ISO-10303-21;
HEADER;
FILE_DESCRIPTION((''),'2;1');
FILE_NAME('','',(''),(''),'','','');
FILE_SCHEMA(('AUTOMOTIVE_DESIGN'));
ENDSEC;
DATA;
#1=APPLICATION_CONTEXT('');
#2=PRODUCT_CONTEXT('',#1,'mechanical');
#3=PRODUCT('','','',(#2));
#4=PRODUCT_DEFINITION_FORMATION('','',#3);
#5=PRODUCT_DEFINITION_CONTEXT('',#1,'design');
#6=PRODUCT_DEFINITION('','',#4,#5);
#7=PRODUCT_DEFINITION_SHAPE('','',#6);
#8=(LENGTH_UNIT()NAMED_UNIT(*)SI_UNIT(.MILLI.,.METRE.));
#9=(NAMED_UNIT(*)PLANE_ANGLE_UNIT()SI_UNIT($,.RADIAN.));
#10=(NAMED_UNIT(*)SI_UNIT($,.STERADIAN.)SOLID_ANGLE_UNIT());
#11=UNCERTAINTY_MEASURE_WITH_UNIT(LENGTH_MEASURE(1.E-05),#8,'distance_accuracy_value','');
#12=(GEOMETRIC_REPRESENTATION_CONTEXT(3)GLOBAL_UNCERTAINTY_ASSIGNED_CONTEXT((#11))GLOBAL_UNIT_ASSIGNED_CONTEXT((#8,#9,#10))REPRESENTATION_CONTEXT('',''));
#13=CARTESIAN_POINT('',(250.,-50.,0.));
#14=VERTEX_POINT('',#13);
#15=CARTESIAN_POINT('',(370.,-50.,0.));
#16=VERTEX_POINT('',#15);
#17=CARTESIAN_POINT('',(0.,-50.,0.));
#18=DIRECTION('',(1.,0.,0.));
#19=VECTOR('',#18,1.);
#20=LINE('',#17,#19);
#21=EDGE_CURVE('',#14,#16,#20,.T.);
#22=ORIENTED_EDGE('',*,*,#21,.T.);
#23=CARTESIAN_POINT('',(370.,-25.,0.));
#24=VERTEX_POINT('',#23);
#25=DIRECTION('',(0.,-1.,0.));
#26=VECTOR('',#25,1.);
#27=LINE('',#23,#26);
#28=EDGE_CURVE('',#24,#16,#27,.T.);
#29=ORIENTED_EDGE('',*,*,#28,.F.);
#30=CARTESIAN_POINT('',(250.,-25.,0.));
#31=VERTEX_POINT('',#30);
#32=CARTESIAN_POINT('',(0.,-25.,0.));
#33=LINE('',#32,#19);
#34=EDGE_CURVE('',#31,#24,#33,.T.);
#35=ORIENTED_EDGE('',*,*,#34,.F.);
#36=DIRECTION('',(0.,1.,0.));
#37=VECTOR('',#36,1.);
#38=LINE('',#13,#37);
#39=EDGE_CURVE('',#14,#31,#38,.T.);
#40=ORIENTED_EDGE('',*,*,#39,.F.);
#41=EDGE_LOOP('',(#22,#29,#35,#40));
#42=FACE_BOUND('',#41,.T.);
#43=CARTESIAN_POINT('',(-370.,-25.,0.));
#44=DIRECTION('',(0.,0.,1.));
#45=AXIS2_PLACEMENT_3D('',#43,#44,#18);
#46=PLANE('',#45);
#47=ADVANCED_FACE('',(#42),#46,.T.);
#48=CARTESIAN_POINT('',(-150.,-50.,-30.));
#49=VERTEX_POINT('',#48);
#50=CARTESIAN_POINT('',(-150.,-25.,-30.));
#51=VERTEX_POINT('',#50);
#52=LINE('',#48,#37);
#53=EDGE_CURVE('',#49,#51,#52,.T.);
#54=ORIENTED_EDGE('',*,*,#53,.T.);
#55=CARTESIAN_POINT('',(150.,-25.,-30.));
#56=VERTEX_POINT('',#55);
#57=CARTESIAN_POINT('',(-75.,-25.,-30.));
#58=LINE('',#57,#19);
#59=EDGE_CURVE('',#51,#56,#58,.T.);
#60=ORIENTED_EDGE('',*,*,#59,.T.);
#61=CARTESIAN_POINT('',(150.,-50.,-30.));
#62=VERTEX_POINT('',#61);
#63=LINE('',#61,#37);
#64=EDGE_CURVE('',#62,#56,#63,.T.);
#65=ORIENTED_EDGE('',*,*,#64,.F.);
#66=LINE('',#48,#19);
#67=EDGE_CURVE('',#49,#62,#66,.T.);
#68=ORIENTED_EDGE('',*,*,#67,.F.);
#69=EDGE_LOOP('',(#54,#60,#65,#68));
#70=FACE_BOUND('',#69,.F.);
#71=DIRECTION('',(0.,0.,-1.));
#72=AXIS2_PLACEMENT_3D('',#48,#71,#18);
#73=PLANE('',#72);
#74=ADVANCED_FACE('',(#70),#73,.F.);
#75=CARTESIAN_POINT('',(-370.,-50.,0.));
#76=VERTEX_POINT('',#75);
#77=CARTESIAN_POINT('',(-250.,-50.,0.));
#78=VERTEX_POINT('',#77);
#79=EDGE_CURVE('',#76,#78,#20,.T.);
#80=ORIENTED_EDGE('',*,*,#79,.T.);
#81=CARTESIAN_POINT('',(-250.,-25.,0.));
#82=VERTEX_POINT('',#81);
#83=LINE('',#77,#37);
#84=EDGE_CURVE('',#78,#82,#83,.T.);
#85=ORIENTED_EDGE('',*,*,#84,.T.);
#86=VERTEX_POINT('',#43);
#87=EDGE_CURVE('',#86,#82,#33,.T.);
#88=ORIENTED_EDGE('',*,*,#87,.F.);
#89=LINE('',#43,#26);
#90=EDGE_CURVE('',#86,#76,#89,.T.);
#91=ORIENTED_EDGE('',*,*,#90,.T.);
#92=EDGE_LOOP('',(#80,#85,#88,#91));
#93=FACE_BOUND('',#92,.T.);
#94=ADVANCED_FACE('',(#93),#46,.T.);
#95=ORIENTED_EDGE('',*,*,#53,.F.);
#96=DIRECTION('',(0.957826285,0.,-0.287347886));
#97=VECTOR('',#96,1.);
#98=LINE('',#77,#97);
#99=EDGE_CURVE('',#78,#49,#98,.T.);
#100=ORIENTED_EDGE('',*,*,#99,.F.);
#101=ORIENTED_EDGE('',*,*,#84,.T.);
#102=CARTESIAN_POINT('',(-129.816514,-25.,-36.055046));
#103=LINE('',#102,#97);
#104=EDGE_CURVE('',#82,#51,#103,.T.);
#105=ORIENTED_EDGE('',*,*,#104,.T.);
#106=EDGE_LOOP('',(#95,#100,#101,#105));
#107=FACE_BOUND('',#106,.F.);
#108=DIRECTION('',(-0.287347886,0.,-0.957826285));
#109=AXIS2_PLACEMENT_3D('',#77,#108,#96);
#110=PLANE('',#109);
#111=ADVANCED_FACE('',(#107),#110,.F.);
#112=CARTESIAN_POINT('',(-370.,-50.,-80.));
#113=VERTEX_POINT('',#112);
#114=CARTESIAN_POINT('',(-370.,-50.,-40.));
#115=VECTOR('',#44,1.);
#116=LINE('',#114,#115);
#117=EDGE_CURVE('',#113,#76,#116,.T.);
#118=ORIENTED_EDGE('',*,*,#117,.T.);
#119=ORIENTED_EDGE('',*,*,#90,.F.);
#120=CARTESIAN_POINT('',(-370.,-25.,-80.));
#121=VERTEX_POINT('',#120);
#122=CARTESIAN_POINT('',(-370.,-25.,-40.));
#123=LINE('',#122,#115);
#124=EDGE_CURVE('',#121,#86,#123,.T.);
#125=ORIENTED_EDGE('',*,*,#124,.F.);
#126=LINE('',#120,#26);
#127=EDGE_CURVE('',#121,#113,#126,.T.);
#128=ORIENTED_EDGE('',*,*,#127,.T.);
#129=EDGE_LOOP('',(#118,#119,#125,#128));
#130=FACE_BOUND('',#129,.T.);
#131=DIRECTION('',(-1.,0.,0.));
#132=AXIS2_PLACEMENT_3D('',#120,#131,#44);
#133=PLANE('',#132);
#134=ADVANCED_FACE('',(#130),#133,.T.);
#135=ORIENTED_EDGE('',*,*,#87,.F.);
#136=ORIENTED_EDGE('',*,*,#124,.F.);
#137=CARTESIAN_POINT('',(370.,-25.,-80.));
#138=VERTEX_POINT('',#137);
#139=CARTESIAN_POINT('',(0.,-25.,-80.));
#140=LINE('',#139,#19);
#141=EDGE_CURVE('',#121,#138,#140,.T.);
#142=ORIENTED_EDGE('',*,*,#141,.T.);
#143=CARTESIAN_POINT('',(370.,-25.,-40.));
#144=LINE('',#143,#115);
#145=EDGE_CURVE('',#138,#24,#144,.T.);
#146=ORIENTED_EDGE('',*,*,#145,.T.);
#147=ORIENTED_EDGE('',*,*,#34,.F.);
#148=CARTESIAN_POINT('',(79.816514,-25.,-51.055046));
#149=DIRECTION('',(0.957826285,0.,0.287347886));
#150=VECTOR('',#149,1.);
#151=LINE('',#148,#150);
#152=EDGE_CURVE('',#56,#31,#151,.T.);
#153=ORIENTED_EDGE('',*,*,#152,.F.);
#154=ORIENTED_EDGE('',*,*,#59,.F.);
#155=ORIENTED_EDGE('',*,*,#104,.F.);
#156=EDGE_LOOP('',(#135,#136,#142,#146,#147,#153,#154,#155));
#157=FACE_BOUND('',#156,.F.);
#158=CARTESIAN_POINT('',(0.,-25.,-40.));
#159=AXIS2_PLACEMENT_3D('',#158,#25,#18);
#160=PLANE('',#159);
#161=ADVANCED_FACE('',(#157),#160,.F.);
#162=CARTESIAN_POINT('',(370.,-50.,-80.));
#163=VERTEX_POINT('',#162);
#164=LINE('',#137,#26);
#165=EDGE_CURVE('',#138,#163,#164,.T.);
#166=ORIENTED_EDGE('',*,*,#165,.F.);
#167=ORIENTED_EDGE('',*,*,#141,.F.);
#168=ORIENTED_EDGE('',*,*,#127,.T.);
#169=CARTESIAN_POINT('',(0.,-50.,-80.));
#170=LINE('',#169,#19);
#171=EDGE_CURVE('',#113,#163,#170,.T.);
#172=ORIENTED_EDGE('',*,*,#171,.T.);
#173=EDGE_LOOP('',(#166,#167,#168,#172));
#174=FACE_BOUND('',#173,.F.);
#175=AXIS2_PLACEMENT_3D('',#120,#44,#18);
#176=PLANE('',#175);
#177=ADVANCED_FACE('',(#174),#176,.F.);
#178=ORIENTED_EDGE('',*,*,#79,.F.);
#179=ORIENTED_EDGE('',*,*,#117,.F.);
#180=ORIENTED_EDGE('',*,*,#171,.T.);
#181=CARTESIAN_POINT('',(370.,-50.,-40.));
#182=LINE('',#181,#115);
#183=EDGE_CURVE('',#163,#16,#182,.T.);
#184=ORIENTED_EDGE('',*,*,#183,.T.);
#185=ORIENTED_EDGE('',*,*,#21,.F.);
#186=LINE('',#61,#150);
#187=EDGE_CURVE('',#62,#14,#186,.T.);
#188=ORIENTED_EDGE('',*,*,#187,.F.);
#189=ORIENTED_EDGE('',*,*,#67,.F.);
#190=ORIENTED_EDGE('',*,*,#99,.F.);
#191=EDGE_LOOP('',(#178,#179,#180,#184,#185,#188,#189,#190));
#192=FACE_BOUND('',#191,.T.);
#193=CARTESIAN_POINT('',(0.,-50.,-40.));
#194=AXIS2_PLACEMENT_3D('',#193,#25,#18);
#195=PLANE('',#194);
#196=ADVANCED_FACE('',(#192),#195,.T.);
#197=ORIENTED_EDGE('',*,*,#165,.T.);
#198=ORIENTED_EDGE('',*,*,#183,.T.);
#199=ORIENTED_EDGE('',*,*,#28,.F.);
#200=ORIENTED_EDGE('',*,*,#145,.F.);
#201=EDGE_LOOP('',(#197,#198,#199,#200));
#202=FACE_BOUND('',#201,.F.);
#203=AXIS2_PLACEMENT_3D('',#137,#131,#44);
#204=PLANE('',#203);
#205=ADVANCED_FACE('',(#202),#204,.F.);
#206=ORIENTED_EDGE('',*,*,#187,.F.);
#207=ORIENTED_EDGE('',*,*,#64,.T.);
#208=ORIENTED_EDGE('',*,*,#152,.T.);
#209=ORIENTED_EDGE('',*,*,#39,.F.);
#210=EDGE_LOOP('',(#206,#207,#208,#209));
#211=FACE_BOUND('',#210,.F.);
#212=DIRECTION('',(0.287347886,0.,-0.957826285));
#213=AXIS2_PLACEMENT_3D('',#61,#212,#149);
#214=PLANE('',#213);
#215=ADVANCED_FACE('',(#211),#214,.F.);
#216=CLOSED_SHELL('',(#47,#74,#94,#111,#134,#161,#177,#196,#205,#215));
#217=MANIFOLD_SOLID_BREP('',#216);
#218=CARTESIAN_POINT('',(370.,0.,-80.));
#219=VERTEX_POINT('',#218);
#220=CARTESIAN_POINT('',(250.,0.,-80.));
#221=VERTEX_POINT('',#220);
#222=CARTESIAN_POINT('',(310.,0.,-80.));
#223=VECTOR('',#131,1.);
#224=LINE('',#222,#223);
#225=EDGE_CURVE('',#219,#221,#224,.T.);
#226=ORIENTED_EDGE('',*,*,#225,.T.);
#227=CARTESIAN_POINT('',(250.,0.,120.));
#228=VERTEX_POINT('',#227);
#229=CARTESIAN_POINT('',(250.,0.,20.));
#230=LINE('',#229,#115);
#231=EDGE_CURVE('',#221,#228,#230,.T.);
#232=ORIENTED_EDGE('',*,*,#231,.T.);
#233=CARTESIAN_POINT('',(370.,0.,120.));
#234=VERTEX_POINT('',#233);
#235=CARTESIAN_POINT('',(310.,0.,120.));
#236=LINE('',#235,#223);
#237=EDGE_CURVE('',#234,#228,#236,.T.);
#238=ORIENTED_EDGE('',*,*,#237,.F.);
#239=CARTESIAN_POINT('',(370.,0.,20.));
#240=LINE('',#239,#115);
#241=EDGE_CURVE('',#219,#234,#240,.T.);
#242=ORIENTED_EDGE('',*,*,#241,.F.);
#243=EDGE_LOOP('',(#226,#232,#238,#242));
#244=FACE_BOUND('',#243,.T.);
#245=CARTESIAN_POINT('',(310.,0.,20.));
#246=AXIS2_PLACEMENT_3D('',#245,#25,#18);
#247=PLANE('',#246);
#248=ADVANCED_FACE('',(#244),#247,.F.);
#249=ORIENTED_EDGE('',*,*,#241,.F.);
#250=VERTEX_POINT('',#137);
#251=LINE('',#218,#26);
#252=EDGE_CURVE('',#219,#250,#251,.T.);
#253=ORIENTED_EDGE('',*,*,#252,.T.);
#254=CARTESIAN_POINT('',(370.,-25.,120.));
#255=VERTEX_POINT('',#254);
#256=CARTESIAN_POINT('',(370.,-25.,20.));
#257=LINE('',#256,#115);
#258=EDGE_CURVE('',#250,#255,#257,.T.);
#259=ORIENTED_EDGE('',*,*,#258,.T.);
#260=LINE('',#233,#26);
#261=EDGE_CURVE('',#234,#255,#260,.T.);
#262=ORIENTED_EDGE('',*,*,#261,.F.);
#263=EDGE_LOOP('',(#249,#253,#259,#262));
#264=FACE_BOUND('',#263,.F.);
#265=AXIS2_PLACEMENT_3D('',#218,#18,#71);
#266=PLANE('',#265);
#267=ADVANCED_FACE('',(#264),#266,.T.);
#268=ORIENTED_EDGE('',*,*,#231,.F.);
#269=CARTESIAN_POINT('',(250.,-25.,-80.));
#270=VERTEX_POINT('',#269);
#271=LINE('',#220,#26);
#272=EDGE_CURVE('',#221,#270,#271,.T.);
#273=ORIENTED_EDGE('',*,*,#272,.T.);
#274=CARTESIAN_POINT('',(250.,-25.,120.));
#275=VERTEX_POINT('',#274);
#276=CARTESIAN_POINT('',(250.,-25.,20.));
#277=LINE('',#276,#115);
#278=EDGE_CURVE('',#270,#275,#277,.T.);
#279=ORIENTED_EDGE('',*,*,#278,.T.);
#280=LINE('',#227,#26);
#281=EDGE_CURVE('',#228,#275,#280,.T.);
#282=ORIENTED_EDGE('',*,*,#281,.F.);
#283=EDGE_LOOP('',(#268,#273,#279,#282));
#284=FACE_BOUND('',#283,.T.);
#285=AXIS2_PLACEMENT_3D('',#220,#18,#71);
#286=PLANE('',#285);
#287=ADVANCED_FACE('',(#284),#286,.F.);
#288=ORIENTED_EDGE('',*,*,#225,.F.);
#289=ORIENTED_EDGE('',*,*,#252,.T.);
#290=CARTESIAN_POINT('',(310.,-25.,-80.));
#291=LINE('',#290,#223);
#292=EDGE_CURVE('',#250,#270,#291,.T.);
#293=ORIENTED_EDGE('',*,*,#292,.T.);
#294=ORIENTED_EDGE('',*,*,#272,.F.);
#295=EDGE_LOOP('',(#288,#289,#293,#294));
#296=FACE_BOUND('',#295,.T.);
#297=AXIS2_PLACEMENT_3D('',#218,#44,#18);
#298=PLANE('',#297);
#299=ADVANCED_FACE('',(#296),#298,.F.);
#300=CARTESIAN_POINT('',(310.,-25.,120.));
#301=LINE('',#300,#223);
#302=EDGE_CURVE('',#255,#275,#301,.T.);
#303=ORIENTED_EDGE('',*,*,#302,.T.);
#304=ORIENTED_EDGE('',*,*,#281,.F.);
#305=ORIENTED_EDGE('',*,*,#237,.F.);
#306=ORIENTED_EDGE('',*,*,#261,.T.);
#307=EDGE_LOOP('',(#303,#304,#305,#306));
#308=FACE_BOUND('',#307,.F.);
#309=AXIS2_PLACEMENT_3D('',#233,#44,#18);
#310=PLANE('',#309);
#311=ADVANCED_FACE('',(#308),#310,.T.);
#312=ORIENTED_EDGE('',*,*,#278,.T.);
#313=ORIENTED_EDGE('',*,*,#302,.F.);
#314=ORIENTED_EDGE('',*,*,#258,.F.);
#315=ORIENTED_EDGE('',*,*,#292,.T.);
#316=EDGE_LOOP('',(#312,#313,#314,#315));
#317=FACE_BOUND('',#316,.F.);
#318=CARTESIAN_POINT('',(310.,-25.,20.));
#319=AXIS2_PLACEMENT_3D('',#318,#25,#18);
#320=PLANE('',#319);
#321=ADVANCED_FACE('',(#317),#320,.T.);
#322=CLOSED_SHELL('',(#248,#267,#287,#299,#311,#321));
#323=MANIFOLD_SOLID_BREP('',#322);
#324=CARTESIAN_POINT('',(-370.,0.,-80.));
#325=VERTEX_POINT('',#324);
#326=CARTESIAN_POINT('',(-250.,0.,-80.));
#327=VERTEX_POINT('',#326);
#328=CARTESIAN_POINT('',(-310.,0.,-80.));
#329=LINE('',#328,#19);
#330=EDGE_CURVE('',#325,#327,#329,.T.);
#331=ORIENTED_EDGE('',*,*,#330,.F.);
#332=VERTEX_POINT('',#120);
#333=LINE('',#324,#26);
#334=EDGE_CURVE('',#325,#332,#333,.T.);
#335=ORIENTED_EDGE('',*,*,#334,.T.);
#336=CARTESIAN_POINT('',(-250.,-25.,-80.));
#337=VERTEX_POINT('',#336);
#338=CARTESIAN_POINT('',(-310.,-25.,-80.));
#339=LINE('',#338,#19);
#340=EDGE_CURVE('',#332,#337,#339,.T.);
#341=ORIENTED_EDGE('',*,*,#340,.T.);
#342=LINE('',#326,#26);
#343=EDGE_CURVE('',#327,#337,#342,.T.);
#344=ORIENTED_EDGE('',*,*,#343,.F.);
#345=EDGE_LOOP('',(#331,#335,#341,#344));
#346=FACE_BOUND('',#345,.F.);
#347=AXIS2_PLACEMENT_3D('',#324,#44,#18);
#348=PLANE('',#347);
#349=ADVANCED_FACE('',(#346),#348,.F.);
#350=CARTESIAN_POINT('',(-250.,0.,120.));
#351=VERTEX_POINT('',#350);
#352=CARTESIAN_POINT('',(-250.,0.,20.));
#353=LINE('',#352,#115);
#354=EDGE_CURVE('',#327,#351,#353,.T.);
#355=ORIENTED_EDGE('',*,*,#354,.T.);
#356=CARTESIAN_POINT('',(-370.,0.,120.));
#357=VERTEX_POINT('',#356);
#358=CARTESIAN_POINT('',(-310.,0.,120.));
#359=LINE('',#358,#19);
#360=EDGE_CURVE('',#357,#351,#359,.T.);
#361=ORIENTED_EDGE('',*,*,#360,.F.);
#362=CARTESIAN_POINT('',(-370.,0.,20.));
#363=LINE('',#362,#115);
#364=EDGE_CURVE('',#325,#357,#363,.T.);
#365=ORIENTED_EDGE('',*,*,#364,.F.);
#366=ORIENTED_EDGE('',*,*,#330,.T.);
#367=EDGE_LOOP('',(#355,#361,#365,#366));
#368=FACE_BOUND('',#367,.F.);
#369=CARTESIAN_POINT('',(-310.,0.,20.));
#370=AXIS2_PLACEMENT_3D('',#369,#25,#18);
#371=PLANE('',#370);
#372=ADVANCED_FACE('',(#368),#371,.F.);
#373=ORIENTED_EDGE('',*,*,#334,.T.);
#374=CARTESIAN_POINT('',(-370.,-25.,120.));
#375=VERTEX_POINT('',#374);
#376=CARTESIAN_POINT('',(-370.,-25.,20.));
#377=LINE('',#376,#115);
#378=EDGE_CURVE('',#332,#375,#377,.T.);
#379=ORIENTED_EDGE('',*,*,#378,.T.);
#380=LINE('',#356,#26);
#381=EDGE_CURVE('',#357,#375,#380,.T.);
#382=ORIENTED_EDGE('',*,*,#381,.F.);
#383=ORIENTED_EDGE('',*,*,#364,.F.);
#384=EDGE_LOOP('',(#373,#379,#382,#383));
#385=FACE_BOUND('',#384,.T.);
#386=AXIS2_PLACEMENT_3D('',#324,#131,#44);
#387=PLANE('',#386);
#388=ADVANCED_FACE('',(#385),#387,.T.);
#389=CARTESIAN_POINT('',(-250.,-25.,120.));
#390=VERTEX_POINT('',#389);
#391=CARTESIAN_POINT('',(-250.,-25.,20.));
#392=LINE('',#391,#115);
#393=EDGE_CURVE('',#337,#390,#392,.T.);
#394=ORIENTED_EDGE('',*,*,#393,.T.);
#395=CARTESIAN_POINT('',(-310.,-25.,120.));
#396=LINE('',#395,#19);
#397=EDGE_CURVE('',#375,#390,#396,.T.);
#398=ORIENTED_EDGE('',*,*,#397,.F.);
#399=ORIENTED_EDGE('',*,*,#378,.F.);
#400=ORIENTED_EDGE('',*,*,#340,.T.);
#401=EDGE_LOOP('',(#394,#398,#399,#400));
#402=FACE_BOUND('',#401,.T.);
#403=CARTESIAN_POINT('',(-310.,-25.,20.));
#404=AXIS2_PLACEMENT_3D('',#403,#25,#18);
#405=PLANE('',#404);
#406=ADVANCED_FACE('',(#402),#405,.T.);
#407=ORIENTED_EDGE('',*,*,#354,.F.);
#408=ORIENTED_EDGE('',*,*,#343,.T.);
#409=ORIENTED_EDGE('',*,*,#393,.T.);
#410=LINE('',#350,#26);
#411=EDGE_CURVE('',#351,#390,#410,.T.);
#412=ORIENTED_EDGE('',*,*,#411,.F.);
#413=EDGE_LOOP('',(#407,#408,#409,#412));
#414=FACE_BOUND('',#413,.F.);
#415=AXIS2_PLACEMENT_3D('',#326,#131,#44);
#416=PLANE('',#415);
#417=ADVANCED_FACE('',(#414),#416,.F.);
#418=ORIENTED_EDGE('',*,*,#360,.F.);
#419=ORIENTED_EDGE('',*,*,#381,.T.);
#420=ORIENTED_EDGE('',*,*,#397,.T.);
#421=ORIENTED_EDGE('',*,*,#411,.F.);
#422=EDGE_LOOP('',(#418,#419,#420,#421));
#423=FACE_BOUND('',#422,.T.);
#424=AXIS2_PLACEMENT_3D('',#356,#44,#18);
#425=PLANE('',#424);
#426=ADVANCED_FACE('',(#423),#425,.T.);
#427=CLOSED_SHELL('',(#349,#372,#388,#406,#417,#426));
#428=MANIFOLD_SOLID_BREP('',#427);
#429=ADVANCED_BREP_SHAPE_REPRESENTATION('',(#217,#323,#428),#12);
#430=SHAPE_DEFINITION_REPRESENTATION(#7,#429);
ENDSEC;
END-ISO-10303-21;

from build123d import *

# Parameters (mm, degrees)
F0_W     = 120
F0_H     = 200
F1_DEPTH = 25
F3_W     = 740
F3_H     = 80
F4_DEPTH = 25
F6_DEPTH = 50.001


with BuildPart() as f1:
    # F0 (on Front) → F1 (new body)
    with BuildSketch(Plane.XZ):
        with Locations((-310, 20)):
            Rectangle(F0_W, F0_H)
    extrude(amount=F1_DEPTH)


with BuildPart() as f2_1:
    # F2: instance of F1
    add(f1.part.mirror(Plane.YZ))


with BuildPart() as f4:
    # F3 (on face) → F4 (new body)
    with BuildSketch(Plane.XZ.offset(25)):
        with Locations((0, -40)):
            Rectangle(F3_W, F3_H)
    extrude(amount=F4_DEPTH)

    # F5 (on face) → F6 (cut, through all)
    with BuildSketch(Plane.XZ.offset(50)):
        Polygon((0, 0), (-250, 0), (-150, -30), (0, -30), (150, -30), (250, 0), align=None)
    extrude(amount=-F6_DEPTH, mode=Mode.SUBTRACT)


solid = Compound([f1.part, f2_1.part, f4.part])
